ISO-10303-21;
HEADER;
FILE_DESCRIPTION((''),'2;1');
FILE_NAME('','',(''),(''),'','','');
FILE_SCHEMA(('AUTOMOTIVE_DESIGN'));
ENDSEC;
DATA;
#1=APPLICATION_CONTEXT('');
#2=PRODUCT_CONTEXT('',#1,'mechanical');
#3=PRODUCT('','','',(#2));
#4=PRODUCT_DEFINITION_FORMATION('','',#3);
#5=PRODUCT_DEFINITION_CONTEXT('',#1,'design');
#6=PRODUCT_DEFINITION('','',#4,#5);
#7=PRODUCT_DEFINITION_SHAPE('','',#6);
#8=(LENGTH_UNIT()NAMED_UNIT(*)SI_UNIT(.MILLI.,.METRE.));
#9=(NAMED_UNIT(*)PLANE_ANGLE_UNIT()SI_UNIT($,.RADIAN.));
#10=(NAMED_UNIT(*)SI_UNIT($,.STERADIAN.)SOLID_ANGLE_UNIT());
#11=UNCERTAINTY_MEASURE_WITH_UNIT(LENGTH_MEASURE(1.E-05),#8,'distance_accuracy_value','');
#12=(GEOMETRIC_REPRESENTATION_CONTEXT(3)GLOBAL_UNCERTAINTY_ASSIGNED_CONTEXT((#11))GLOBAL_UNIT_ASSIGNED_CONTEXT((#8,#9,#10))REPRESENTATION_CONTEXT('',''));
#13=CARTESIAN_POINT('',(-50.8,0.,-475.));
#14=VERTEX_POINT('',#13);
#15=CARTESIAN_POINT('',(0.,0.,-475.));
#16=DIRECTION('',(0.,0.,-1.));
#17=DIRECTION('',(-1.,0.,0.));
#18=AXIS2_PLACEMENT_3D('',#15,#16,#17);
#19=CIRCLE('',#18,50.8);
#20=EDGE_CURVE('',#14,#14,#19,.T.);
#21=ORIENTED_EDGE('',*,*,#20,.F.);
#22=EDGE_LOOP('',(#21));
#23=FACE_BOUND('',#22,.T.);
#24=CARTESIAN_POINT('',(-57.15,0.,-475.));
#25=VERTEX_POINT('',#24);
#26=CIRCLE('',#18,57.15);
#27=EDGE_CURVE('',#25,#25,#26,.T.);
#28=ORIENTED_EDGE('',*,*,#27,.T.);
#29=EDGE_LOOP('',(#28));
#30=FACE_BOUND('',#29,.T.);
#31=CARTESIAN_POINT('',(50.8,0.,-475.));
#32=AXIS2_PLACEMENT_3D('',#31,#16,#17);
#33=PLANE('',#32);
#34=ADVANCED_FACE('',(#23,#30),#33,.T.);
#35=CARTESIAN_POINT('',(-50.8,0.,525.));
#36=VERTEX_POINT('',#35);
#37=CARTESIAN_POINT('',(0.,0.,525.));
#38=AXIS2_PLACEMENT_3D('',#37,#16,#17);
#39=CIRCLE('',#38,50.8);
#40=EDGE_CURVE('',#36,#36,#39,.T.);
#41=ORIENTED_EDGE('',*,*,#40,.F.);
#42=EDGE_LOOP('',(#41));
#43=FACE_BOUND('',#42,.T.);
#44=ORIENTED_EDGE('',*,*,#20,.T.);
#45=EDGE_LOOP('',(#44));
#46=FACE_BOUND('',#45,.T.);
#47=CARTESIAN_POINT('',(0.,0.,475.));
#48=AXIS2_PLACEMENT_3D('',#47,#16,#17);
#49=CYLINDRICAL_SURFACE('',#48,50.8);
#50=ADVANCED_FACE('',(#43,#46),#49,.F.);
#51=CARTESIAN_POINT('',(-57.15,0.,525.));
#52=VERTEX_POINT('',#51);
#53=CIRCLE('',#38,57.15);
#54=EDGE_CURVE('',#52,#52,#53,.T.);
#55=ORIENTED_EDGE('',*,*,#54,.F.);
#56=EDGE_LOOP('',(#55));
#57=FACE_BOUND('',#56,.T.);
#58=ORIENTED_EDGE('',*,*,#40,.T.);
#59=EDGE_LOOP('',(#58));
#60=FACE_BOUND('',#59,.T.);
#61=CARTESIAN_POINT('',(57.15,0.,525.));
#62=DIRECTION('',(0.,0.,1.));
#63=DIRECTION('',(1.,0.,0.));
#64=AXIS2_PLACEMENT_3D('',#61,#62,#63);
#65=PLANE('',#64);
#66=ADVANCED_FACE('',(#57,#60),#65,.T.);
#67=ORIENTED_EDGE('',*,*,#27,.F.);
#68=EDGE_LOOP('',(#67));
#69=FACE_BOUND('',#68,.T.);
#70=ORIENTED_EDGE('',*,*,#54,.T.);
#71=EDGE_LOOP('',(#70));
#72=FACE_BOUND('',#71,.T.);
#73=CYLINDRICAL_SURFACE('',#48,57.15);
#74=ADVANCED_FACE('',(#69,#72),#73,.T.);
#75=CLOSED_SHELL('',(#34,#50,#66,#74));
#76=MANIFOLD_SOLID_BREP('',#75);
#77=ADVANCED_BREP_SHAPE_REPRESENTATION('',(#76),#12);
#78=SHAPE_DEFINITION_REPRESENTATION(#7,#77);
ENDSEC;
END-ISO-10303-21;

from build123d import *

# Parameters (mm, degrees)
SKETCH_1_W = 6.35
SKETCH_1_H = 1000


with BuildPart() as part:
    # 草图1 → 旋转1 (revolve)
    with BuildSketch(Plane.XZ):
        with Locations((53.975, 25)):
            Rectangle(SKETCH_1_W, SKETCH_1_H)
    revolve(axis=Axis((0, 0, 475), (0, 0, -1)))


solid = part.part
